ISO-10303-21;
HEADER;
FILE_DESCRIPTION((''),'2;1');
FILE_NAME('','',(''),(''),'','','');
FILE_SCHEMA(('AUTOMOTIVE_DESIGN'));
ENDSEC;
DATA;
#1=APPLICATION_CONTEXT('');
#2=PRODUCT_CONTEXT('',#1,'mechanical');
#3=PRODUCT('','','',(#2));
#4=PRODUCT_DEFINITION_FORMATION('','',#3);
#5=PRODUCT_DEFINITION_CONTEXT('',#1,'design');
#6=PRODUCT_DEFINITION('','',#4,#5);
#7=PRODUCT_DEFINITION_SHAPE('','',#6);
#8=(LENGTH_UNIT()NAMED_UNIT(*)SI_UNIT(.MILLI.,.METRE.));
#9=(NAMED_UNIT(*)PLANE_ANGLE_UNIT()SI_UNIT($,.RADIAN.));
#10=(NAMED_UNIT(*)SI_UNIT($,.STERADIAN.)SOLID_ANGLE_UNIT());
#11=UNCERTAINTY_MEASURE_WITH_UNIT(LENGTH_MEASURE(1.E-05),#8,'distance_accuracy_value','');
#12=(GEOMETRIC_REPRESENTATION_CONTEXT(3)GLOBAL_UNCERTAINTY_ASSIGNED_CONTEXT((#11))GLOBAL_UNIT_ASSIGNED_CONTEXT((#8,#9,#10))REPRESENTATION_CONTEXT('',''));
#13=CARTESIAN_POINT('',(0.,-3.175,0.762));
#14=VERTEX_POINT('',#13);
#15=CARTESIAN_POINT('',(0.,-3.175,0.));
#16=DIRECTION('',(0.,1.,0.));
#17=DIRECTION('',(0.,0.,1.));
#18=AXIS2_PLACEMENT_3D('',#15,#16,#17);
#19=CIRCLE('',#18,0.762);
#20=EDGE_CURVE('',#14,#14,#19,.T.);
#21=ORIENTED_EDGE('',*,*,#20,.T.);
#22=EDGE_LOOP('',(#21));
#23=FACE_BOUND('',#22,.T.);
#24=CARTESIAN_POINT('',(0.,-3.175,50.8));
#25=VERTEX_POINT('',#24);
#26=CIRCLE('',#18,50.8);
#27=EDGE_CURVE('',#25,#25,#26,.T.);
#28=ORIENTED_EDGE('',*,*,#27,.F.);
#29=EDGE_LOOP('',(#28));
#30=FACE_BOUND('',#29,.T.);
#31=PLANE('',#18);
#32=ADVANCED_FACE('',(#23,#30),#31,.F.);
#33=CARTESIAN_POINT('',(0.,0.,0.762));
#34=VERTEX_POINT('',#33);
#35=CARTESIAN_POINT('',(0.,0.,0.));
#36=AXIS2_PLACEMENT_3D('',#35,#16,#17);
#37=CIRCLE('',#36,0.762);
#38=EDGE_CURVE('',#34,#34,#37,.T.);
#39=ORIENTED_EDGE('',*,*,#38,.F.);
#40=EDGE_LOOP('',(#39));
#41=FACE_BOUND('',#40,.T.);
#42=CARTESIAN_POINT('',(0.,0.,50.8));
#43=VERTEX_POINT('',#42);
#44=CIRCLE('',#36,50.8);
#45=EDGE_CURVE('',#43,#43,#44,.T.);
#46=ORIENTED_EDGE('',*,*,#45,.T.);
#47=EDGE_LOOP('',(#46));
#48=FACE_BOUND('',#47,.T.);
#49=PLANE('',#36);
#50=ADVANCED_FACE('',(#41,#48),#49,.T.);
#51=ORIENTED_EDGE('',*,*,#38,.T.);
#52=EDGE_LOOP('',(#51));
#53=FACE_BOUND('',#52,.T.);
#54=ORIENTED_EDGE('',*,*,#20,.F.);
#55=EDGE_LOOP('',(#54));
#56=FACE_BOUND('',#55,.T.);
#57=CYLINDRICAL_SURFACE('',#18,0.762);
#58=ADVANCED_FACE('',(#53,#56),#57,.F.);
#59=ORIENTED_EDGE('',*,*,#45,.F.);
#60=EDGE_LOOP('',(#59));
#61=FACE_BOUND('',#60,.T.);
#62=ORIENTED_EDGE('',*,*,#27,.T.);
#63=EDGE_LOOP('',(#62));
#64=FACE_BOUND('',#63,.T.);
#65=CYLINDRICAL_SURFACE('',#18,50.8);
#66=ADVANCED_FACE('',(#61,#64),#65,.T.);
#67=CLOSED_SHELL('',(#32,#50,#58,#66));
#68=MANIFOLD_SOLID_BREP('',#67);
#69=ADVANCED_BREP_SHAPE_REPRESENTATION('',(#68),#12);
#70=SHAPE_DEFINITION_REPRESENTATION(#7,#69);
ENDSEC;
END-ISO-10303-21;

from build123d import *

# Parameters (mm, degrees)
SKETCH1_R           = 50.8
SKETCH1_R_2         = 0.762
BOSS_EXTRUDE1_DEPTH = 3.175


with BuildPart() as part:
    # Sketch1 → Boss-Extrude1 (new body)
    with BuildSketch(Plane(origin=(0, 0, 0), x_dir=(1, 0, 0), z_dir=(0, 1, 0))):
        Circle(SKETCH1_R)
        Circle(SKETCH1_R_2, mode=Mode.SUBTRACT)
    extrude(amount=-BOSS_EXTRUDE1_DEPTH)


solid = part.part
